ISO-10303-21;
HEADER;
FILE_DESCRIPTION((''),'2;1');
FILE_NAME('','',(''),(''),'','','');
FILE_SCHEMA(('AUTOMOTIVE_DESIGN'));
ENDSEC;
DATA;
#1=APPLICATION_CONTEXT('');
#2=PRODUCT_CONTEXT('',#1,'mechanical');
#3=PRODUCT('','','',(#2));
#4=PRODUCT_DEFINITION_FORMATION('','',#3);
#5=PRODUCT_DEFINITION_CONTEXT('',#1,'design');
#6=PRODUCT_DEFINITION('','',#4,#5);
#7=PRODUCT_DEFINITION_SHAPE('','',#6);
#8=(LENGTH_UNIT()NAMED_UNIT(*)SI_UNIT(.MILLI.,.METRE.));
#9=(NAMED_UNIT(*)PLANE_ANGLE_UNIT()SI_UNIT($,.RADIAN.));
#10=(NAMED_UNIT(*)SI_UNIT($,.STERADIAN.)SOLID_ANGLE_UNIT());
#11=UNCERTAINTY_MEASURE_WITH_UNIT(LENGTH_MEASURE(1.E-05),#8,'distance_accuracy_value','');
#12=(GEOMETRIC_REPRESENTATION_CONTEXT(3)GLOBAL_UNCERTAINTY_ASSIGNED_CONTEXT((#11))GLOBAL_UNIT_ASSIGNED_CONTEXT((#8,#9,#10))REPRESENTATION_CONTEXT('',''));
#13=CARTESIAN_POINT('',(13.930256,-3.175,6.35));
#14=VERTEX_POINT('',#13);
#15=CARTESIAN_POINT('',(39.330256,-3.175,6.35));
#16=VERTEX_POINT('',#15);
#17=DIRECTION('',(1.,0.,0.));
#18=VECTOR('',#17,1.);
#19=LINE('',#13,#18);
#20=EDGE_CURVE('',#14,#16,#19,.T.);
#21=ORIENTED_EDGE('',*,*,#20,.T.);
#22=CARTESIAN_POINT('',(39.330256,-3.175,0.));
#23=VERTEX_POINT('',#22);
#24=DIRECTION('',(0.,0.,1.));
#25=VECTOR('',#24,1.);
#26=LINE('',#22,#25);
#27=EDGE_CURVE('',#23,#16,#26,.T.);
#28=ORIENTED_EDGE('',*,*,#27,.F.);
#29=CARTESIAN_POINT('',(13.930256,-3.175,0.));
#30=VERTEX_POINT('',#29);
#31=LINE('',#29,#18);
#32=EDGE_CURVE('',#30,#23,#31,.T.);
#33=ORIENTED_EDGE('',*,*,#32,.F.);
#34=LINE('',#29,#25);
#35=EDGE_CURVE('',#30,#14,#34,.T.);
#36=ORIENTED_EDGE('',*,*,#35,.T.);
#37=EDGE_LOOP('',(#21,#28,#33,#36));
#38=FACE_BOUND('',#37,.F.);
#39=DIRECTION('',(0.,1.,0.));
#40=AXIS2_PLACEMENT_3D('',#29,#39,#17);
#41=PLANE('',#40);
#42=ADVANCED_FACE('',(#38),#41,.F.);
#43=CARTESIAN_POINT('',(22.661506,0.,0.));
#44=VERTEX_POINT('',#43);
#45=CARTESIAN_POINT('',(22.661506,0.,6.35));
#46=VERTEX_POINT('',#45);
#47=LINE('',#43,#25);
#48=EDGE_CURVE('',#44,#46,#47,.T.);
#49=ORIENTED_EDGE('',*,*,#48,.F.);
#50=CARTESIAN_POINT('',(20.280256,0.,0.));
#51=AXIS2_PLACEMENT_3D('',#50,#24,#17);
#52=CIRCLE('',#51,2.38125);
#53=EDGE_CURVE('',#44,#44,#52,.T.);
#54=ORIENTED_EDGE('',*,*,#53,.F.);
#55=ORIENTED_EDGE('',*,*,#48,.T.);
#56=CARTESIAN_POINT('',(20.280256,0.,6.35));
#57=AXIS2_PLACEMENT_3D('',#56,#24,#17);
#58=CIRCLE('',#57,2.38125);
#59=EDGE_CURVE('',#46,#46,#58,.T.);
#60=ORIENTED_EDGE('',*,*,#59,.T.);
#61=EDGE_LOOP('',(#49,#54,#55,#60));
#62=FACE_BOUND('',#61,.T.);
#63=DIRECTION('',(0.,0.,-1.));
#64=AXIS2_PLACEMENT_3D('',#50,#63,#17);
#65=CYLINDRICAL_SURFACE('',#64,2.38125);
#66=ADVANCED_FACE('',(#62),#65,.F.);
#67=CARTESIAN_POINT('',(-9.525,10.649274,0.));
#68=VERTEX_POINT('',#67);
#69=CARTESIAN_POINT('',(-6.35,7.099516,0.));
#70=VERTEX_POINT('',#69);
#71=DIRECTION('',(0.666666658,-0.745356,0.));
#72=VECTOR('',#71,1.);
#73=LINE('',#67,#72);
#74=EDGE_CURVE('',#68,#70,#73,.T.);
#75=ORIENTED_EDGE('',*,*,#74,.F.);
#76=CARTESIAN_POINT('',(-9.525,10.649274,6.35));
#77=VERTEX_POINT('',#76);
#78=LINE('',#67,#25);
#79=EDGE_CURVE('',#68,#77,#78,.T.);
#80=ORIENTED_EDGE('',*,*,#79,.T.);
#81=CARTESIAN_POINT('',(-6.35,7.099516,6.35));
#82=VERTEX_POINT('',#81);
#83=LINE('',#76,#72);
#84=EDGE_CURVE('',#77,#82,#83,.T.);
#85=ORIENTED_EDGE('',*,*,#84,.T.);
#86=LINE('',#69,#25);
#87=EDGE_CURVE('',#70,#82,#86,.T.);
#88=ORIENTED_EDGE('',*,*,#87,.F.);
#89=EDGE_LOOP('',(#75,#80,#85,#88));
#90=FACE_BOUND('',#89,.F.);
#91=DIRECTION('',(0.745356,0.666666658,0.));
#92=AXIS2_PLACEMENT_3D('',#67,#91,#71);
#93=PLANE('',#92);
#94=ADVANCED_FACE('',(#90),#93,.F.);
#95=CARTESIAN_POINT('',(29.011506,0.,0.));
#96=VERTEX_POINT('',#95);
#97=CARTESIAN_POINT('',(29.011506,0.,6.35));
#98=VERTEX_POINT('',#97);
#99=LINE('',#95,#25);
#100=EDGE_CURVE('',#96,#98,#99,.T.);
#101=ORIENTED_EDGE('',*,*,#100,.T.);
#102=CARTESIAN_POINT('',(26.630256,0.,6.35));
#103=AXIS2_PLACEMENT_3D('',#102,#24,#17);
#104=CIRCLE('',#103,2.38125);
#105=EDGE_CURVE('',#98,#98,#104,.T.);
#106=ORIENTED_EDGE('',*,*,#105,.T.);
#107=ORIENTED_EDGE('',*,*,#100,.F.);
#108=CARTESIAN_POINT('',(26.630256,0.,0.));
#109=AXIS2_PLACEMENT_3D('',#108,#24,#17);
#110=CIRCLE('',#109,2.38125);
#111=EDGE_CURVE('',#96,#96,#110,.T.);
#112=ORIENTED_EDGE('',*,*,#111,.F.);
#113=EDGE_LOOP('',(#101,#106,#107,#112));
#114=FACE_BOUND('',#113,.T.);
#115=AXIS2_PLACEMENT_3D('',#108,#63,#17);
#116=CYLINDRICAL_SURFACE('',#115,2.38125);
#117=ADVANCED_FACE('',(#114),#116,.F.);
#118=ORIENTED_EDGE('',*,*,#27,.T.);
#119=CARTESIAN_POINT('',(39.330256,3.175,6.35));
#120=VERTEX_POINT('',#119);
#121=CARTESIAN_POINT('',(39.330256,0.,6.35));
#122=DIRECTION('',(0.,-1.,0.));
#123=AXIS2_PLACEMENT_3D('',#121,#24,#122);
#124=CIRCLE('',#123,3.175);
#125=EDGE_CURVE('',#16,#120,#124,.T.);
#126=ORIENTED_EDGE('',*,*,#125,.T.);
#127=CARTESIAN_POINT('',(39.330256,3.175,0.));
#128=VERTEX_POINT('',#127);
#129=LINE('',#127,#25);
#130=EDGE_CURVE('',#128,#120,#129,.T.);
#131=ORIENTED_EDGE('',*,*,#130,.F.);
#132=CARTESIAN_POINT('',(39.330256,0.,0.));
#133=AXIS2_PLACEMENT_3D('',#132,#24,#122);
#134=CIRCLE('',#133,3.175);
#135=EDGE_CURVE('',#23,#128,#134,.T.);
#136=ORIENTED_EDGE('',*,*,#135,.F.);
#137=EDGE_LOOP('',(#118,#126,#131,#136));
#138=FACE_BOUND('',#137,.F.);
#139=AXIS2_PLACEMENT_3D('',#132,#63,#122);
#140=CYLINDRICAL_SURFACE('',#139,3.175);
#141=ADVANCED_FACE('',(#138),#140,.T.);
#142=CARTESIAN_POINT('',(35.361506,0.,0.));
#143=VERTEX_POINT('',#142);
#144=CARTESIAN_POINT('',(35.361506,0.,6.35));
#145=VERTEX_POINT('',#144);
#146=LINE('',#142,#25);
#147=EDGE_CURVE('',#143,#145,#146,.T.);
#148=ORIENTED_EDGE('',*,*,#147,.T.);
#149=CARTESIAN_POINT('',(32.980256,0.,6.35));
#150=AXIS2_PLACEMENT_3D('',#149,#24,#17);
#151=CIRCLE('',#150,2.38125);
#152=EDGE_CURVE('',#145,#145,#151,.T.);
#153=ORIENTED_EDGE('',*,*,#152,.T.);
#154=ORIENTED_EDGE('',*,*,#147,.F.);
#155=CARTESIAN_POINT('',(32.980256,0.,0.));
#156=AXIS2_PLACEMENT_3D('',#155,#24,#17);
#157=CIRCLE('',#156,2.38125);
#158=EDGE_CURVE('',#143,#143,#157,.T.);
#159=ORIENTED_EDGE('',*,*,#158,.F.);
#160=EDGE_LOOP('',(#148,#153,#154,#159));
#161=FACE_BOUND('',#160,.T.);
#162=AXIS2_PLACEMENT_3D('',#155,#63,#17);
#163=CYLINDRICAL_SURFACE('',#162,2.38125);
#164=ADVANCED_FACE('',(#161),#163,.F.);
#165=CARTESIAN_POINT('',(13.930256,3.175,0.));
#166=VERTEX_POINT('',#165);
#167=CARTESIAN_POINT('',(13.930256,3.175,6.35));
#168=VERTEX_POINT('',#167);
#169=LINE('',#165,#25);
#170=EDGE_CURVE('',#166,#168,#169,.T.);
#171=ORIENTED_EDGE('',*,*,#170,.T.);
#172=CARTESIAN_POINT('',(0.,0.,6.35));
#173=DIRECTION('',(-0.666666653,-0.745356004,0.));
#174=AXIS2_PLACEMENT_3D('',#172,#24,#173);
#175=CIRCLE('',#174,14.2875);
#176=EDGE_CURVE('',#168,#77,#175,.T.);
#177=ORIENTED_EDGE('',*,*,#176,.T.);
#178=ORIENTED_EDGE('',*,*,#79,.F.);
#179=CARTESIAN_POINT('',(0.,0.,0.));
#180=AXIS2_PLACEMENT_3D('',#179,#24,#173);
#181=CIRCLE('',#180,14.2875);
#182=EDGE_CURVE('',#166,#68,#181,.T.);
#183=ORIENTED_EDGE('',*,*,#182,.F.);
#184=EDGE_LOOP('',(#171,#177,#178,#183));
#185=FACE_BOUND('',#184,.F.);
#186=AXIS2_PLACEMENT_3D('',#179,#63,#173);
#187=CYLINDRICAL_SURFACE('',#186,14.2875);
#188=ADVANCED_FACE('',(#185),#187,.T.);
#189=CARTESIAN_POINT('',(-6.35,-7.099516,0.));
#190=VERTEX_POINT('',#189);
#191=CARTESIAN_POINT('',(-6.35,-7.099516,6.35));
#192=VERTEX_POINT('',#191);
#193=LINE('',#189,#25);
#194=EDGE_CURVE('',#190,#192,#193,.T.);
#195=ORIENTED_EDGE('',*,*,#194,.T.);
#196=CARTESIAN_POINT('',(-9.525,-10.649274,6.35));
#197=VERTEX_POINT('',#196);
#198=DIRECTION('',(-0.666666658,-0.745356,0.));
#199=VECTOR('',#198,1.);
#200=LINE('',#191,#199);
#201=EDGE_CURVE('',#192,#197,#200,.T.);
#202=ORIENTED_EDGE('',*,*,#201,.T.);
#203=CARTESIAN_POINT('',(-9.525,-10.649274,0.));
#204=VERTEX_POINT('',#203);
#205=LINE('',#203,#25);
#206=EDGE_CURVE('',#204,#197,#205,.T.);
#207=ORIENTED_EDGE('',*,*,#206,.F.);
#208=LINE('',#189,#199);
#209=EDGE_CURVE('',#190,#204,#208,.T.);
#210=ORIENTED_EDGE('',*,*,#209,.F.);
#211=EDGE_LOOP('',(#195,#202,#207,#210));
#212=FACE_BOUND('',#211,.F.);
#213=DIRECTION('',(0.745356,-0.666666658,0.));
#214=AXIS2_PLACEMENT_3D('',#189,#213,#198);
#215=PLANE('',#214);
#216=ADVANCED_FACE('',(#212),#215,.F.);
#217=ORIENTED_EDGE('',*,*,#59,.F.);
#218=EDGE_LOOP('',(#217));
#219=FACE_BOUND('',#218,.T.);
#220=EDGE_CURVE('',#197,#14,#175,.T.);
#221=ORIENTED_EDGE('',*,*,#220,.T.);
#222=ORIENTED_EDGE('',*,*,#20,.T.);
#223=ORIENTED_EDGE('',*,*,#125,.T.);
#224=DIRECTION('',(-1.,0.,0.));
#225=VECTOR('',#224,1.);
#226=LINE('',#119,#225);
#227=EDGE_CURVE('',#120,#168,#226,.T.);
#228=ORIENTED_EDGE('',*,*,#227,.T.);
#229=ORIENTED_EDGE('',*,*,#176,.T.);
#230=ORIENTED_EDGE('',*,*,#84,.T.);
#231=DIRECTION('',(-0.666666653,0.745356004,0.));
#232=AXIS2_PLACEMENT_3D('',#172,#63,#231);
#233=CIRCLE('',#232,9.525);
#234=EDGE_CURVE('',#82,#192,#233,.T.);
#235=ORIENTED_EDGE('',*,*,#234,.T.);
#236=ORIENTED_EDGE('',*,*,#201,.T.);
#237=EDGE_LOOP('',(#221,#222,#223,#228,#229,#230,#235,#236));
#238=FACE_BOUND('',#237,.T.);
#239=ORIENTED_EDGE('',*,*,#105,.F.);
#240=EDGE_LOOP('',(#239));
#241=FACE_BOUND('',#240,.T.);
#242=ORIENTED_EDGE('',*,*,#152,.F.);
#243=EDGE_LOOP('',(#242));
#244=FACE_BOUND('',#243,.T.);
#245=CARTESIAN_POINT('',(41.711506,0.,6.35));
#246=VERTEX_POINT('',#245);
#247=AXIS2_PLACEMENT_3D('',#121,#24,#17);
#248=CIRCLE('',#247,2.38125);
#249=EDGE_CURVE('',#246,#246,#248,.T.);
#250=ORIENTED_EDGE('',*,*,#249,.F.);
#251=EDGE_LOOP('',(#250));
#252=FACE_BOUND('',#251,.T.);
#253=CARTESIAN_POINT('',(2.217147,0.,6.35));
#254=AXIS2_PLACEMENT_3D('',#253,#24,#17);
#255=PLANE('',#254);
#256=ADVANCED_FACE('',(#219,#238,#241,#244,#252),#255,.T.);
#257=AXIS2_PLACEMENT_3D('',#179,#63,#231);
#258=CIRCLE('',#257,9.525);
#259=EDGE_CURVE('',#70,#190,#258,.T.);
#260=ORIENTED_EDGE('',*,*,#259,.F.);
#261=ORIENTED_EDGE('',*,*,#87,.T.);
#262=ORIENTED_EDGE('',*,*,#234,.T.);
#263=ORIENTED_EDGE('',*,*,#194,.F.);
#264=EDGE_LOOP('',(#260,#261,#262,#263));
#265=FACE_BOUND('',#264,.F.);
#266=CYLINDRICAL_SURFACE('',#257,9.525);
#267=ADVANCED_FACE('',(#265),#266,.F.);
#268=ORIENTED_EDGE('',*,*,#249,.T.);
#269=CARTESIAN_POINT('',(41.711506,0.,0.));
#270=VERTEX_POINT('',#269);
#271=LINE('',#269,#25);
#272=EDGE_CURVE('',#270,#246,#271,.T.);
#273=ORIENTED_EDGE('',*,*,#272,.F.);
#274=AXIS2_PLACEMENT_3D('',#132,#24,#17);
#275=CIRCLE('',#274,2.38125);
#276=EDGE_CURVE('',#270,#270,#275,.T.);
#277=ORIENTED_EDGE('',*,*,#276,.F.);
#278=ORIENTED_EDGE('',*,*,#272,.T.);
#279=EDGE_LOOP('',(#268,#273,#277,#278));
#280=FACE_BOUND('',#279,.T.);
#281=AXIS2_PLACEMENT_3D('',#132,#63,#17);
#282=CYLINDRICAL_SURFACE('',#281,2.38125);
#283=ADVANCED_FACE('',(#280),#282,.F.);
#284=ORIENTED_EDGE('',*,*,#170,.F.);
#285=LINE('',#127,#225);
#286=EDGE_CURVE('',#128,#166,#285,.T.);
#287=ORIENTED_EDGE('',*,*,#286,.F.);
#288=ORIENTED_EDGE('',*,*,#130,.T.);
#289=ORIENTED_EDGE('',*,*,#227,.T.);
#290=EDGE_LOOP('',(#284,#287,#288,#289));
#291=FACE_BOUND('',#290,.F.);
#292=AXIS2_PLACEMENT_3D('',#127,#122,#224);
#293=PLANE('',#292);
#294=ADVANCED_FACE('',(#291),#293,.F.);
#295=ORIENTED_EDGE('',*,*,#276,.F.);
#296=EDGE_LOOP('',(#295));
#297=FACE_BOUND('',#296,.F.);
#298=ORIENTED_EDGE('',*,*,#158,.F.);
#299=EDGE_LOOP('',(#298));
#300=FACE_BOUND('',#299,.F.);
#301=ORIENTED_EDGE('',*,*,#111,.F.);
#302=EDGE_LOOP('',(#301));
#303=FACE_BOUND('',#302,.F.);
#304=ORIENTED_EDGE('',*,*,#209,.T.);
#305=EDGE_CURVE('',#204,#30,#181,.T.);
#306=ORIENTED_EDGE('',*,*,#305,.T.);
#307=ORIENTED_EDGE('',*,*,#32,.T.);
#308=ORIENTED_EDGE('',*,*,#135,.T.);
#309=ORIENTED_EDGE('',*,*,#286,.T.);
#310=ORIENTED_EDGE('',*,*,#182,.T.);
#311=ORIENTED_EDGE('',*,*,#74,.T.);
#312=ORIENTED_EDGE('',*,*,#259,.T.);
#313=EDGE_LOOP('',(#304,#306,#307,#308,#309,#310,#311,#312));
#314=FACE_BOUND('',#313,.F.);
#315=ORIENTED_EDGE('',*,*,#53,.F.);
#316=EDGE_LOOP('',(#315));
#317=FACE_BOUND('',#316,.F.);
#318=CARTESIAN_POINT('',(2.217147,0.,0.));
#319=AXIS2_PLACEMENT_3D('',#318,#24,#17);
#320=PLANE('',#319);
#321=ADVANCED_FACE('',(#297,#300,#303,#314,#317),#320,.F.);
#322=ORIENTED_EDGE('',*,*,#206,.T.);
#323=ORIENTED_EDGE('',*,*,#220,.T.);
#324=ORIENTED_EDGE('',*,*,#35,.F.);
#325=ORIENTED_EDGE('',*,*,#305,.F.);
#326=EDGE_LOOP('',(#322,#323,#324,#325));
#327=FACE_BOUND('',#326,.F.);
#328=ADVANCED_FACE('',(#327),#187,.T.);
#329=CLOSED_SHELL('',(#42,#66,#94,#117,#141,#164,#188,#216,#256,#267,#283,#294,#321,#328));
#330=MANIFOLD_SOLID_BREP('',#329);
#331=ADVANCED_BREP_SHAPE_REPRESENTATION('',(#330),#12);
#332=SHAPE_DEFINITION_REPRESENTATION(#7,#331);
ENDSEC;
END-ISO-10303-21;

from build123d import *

# Parameters (mm, degrees)
F1_DEPTH = 6.35
F2_R     = 2.38125
F3_DEPTH = 6.35


with BuildPart() as f1:
    # F0 (on Top) → F1 (new body)
    with BuildSketch(Plane.XY):
        with BuildLine():
            Line((-9.525, 10.649274), (-6.35, 7.099516))
            ThreePointArc((-6.35, 7.099516), (9.525, 0), (-6.35, -7.099516))
            Line((-6.35, -7.099516), (-9.525, -10.649274))
            ThreePointArc((-9.525, -10.649274), (14.2875, 0), (-9.525, 10.649274))
        make_face()
    extrude(amount=F1_DEPTH)

    # F2 (on Top) → F3 (join, through all)
    with BuildSketch(Plane.XY):
        with BuildLine():
            Line((39.330256, 3.175), (13.930256, 3.175))
            ThreePointArc((13.930256, 3.175), (14.2875, 0), (13.930256, -3.175))
            Line((13.930256, -3.175), (39.330256, -3.175))
            ThreePointArc((39.330256, -3.175), (42.505256, 0), (39.330256, 3.175))
        make_face()
        with Locations((20.280256, 0)):
            Circle(F2_R, mode=Mode.SUBTRACT)
        with Locations((26.630256, 0)):
            Circle(F2_R, mode=Mode.SUBTRACT)
        with Locations((32.980256, 0)):
            Circle(F2_R, mode=Mode.SUBTRACT)
        with Locations((39.330256, 0)):
            Circle(F2_R, mode=Mode.SUBTRACT)
    extrude(amount=F3_DEPTH)


solid = f1.part
